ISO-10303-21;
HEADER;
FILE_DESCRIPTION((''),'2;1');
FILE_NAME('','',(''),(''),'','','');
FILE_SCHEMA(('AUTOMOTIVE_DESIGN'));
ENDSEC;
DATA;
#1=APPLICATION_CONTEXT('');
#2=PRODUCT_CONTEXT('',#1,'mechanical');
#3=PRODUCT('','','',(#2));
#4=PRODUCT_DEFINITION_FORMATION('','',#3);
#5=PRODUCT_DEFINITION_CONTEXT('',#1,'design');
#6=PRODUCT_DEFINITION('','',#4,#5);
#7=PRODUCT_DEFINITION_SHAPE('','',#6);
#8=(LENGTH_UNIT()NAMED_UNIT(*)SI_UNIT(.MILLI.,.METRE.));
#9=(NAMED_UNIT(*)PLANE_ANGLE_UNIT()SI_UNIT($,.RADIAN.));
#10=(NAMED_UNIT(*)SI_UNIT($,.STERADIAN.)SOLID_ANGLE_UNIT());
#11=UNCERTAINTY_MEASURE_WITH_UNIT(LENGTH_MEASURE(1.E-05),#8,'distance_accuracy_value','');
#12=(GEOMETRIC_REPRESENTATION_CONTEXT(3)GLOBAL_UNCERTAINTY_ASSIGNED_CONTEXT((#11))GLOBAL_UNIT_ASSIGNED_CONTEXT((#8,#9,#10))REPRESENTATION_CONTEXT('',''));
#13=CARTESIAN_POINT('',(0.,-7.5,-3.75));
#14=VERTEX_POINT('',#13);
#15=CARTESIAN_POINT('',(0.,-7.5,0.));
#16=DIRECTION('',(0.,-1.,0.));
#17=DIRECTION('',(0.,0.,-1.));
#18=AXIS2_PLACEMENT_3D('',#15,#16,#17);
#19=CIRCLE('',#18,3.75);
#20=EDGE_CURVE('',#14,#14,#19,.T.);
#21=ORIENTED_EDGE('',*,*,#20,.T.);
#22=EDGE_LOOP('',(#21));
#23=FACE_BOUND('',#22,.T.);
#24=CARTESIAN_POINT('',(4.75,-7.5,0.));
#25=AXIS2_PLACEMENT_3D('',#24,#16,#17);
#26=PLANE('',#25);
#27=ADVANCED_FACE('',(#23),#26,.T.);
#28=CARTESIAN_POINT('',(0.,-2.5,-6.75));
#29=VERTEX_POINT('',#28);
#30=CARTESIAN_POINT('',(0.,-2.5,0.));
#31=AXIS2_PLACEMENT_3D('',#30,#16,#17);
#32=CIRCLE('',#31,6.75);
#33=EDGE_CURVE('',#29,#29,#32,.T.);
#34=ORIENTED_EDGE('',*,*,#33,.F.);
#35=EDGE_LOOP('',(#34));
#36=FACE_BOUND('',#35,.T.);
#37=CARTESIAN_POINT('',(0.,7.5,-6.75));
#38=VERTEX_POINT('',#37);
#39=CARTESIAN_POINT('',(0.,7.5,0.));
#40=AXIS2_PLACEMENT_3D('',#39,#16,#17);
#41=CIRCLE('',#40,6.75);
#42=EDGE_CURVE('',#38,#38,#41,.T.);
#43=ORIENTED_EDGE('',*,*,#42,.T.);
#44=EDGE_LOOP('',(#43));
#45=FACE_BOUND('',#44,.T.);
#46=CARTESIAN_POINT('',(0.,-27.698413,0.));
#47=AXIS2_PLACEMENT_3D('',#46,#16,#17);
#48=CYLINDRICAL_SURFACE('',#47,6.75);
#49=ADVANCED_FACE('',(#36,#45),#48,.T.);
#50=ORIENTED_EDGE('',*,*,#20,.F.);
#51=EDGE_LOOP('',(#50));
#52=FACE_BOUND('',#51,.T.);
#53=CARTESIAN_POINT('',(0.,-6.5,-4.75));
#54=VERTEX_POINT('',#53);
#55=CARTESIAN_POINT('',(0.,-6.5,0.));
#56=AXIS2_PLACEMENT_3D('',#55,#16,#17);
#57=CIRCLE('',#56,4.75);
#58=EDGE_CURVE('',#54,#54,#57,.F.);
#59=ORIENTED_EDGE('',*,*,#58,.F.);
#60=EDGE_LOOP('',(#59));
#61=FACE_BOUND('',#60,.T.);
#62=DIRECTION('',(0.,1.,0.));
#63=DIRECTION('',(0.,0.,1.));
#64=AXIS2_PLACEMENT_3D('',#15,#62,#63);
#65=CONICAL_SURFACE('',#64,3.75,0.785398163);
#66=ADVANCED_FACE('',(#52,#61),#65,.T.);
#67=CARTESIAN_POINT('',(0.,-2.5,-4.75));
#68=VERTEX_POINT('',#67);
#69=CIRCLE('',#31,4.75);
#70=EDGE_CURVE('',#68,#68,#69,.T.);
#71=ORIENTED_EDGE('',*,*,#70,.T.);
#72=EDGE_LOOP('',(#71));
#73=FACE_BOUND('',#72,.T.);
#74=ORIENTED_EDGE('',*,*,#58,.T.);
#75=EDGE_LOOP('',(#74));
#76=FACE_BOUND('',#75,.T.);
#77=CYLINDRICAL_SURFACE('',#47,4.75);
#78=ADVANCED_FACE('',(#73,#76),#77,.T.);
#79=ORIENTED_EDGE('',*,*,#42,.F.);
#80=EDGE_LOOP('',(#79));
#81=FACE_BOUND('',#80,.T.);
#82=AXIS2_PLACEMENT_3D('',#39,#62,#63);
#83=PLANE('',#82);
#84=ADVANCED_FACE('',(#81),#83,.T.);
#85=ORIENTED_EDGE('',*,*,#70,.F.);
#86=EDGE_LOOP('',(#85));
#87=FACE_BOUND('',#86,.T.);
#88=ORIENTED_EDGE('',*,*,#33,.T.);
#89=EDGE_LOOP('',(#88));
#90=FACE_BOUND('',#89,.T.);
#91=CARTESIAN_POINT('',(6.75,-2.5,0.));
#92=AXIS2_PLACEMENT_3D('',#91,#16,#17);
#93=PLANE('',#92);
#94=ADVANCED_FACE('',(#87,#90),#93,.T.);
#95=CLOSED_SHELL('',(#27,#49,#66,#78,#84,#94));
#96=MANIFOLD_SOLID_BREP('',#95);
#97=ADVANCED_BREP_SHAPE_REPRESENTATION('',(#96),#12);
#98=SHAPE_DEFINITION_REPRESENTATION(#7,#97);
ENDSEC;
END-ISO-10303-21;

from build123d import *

# Parameters (mm, degrees)
CHAMFER1_SIZE = 1


with BuildPart() as part:
    # Sketch1 → Revolve1 (revolve)
    with BuildSketch(Plane.XY, mode=Mode.PRIVATE) as revolve1_sk:
        Polygon((0, -7.5), (0, 7.5), (6.75, 7.5), (6.75, -2.5), (4.75, -2.5), (4.75, -7.5), align=None)
    revolve(revolve1_sk.sketch.rotate(Axis((0, -27.698412698, 0), (0, 1, 0)), 90), axis=Axis((0, -27.698412698, 0), (0, 1, 0)))

    # Chamfer1
    chamfer1_edges = [part.edges().sort_by_distance(p)[0] for p in [
        (0, -7.5, 4.75),
    ]]
    chamfer(chamfer1_edges, length=CHAMFER1_SIZE)


solid = part.part
